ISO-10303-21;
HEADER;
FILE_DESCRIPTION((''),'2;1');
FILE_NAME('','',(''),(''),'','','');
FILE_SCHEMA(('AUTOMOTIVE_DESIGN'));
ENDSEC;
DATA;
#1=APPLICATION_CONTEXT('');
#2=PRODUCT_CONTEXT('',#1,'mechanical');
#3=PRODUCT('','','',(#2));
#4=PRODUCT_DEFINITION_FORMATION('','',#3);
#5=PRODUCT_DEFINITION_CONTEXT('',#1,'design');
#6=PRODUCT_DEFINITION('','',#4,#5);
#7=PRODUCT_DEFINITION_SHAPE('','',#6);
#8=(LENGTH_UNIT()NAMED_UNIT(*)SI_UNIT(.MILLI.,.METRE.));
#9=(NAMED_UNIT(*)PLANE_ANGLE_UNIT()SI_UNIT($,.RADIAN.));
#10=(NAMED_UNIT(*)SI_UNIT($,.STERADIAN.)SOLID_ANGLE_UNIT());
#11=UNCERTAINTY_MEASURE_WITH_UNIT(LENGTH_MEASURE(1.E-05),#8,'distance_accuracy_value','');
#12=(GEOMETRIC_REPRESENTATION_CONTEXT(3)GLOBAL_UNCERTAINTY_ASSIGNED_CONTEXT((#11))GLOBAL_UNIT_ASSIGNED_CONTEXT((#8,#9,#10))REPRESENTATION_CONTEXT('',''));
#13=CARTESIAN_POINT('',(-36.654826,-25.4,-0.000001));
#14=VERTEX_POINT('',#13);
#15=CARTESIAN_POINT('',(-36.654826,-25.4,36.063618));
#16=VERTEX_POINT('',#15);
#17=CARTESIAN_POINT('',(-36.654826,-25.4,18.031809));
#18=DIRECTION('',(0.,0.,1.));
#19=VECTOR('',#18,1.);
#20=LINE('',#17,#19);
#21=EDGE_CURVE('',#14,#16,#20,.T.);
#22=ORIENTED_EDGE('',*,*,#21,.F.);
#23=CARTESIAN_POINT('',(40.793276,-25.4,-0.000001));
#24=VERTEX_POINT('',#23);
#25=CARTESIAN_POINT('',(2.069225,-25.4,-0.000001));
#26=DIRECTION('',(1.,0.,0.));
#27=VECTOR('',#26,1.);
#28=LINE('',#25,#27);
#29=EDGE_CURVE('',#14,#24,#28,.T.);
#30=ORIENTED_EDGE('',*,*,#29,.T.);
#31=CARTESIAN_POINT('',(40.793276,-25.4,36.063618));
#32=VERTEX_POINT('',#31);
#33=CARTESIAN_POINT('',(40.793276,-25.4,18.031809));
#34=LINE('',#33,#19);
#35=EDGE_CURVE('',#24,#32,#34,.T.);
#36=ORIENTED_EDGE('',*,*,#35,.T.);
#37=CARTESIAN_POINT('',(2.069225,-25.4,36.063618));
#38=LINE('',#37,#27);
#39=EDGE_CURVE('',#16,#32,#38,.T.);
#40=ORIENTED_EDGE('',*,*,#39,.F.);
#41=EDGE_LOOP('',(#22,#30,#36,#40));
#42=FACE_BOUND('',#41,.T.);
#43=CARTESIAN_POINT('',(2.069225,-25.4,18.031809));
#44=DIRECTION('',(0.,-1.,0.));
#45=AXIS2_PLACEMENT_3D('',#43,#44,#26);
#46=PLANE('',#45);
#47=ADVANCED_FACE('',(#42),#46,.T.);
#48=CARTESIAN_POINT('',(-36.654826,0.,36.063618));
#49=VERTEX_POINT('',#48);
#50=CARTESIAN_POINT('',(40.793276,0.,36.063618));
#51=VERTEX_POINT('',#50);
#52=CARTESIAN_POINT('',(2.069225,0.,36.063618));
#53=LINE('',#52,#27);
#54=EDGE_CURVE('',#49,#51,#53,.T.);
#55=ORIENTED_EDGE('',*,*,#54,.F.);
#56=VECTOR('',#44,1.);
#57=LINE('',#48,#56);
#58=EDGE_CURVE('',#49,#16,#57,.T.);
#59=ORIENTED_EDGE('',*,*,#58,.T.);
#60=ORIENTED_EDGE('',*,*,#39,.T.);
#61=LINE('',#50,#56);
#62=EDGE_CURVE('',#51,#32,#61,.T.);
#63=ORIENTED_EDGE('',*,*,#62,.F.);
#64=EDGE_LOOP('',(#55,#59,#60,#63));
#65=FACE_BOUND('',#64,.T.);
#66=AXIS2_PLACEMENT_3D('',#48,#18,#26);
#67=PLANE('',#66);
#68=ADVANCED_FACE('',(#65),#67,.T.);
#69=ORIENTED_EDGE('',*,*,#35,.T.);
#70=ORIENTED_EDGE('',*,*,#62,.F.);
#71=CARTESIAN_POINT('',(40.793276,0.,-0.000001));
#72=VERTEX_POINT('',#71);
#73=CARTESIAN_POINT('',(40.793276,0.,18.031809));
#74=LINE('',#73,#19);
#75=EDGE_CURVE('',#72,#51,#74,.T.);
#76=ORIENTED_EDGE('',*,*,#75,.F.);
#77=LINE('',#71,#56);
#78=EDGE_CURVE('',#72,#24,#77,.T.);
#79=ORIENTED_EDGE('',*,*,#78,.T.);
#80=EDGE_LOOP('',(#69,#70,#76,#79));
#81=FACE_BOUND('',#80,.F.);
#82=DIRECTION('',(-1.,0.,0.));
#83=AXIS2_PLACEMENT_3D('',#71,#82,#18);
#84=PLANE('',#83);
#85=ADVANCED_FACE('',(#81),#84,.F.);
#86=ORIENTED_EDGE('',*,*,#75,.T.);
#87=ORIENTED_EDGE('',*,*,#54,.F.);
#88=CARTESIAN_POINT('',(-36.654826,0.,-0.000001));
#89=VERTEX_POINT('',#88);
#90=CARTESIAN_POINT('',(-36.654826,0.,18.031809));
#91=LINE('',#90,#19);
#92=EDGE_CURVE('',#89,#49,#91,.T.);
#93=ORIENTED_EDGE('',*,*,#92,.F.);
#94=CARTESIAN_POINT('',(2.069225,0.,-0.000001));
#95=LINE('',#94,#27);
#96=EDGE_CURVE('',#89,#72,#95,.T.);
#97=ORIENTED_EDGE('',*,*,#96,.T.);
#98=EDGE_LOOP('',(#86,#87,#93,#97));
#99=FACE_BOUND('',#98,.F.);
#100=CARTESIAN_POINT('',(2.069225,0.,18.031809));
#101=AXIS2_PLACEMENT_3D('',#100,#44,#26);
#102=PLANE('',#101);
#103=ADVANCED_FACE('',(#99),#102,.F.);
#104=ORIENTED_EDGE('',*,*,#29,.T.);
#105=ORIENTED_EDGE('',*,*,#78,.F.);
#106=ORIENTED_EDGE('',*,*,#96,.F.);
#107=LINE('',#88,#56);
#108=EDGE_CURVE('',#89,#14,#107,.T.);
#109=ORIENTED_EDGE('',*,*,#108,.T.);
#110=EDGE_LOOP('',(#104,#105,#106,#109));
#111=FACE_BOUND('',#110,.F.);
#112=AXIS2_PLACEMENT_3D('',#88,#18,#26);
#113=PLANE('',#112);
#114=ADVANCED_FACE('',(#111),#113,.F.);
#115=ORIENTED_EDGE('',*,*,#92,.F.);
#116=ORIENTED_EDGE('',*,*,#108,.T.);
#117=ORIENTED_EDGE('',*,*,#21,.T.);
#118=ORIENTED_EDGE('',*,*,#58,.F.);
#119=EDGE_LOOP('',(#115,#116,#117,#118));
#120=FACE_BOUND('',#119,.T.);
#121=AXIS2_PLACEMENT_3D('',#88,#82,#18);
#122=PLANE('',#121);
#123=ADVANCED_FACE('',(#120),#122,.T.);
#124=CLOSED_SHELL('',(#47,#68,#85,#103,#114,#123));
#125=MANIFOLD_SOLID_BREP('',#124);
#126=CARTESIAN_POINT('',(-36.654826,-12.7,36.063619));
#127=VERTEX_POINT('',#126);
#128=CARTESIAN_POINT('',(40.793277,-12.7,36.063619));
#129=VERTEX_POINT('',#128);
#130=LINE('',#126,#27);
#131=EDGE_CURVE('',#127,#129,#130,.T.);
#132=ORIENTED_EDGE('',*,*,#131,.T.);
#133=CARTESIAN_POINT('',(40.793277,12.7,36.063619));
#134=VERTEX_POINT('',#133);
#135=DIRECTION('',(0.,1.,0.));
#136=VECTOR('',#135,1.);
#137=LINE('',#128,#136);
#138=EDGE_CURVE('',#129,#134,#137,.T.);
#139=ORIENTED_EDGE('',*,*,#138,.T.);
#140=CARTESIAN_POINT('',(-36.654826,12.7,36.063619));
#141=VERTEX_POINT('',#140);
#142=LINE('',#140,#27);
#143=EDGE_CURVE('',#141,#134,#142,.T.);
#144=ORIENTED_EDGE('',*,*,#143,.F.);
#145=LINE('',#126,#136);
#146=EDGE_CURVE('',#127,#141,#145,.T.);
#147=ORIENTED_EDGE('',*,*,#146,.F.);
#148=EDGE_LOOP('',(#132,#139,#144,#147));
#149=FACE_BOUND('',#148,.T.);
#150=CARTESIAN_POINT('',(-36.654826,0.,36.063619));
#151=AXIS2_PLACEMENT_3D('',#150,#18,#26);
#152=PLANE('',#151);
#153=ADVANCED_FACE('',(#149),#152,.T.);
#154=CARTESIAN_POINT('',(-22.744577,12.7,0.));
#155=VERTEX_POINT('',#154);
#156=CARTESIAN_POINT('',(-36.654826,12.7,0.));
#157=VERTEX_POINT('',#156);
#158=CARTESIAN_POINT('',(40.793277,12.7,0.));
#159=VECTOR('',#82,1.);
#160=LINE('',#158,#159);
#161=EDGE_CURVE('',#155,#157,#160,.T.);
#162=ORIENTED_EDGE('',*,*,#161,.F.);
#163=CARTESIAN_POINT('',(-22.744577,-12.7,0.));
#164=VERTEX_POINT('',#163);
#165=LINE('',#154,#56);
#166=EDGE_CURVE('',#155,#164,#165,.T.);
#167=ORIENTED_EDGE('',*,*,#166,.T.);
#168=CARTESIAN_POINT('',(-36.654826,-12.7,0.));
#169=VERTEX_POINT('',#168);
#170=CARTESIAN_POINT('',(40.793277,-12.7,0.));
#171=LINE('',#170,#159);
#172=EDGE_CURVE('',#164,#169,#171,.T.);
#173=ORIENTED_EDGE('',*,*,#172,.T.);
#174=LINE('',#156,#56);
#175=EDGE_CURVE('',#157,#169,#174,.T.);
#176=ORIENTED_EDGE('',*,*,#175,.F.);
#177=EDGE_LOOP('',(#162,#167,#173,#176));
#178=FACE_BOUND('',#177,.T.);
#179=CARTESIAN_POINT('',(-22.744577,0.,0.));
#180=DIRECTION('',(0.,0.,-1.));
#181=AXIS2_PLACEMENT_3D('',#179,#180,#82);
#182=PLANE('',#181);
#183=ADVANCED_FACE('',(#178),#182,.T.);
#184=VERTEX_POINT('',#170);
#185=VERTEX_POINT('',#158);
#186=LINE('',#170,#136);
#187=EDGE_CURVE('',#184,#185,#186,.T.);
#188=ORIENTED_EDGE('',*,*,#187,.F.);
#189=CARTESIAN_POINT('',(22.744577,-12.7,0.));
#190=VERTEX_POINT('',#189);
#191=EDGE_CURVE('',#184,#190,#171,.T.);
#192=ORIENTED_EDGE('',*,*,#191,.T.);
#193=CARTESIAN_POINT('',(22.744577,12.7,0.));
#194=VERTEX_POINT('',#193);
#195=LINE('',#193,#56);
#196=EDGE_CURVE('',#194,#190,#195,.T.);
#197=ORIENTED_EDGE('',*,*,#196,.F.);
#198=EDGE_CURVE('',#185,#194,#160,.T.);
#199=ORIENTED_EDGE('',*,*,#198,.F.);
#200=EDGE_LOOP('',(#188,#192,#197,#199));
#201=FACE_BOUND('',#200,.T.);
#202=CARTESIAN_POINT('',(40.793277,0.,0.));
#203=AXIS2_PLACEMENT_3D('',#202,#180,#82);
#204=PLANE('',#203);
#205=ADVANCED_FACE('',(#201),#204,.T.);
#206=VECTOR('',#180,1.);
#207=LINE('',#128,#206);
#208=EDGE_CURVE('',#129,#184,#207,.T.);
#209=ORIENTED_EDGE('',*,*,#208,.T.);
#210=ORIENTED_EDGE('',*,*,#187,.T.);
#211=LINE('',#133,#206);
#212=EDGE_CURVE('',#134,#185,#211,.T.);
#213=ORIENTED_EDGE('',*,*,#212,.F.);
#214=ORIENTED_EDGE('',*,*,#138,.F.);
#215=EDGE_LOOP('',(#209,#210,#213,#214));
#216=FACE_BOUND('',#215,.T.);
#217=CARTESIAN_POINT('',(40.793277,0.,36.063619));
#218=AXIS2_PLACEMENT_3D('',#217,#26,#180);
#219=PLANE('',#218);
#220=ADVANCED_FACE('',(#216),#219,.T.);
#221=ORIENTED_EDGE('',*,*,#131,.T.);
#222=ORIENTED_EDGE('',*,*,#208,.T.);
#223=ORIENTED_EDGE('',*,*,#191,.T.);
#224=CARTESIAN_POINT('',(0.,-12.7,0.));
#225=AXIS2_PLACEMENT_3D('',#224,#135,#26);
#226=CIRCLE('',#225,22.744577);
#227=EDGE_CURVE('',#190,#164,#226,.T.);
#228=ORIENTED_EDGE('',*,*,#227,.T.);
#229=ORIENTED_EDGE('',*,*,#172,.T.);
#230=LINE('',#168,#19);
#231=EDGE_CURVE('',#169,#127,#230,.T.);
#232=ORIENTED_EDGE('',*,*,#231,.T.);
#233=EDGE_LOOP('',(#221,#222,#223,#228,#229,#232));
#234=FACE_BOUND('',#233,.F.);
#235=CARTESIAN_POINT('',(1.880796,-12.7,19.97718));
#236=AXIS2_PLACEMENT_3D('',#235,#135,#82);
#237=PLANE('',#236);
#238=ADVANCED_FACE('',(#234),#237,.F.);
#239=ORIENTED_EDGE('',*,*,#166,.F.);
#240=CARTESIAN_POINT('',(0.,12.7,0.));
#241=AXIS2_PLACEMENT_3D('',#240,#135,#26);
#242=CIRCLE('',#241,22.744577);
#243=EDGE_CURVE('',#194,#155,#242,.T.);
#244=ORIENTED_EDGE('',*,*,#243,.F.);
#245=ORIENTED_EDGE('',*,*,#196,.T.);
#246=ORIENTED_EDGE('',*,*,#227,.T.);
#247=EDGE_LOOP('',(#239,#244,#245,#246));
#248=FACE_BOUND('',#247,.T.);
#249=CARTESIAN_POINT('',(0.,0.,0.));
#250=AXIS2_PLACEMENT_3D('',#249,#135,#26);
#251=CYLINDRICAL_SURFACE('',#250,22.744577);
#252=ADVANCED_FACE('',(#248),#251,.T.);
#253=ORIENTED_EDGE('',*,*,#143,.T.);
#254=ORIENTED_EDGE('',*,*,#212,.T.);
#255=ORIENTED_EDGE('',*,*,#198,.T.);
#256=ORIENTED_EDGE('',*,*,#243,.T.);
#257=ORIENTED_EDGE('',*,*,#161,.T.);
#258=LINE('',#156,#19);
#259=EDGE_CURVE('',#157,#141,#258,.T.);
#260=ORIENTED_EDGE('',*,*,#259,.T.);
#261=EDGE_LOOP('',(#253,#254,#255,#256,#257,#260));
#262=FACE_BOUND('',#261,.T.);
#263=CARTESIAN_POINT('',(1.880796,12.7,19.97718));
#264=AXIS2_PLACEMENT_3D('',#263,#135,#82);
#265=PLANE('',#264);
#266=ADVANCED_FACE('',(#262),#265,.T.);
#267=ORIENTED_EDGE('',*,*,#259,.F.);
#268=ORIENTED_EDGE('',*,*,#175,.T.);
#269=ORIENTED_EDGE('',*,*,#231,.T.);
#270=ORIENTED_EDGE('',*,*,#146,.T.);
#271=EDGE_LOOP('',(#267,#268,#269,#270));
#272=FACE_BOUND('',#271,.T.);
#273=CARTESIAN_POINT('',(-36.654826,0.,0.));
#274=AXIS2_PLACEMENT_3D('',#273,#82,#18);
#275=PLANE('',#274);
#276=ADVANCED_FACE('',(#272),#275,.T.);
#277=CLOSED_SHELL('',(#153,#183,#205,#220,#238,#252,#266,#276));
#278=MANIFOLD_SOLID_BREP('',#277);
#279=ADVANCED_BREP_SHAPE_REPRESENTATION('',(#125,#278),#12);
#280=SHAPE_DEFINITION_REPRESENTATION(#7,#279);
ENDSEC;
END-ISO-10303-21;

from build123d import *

# Parameters (mm, degrees)
F0_W     = 77.448103
F0_H     = 36.063619
F1_DEPTH = 25.4
F3_DEPTH = 12.7


with BuildPart() as f1:
    # F0 (on Front) → F1 (new body)
    with BuildSketch(Plane.XZ):
        with Locations((2.069225, 18.031809)):
            Rectangle(F0_W, F0_H)
    extrude(amount=F1_DEPTH)


with BuildPart() as f3:
    # F2 (on face) → F3 (new body, symmetric)
    with BuildSketch(Plane(origin=(0, 0, 0), x_dir=(-1, 0, 0), z_dir=(0, 1, 0))):
        with BuildLine():
            ThreePointArc((-22.744577, 0), (0, 22.744577), (22.744577, 0))
            Line((22.744577, 0), (36.654826, 0))
            Line((36.654826, 0), (36.654826, 36.063619))
            Line((36.654826, 36.063619), (-40.793277, 36.063619))
            Line((-40.793277, 36.063619), (-40.793277, 0))
            Line((-40.793277, 0), (-22.744577, 0))
        make_face()
        with BuildLine():
            Line((-22.744577, 0), (22.744577, 0))
            ThreePointArc((22.744577, 0), (0, 22.744577), (-22.744577, 0))
        make_face()
        with BuildLine():
            ThreePointArc((-22.744577, 0), (0, -22.744577), (22.744577, 0))
            Line((22.744577, 0), (-22.744577, 0))
        make_face()
    extrude(amount=F3_DEPTH, both=True)


solid = Compound([f1.part, f3.part])
